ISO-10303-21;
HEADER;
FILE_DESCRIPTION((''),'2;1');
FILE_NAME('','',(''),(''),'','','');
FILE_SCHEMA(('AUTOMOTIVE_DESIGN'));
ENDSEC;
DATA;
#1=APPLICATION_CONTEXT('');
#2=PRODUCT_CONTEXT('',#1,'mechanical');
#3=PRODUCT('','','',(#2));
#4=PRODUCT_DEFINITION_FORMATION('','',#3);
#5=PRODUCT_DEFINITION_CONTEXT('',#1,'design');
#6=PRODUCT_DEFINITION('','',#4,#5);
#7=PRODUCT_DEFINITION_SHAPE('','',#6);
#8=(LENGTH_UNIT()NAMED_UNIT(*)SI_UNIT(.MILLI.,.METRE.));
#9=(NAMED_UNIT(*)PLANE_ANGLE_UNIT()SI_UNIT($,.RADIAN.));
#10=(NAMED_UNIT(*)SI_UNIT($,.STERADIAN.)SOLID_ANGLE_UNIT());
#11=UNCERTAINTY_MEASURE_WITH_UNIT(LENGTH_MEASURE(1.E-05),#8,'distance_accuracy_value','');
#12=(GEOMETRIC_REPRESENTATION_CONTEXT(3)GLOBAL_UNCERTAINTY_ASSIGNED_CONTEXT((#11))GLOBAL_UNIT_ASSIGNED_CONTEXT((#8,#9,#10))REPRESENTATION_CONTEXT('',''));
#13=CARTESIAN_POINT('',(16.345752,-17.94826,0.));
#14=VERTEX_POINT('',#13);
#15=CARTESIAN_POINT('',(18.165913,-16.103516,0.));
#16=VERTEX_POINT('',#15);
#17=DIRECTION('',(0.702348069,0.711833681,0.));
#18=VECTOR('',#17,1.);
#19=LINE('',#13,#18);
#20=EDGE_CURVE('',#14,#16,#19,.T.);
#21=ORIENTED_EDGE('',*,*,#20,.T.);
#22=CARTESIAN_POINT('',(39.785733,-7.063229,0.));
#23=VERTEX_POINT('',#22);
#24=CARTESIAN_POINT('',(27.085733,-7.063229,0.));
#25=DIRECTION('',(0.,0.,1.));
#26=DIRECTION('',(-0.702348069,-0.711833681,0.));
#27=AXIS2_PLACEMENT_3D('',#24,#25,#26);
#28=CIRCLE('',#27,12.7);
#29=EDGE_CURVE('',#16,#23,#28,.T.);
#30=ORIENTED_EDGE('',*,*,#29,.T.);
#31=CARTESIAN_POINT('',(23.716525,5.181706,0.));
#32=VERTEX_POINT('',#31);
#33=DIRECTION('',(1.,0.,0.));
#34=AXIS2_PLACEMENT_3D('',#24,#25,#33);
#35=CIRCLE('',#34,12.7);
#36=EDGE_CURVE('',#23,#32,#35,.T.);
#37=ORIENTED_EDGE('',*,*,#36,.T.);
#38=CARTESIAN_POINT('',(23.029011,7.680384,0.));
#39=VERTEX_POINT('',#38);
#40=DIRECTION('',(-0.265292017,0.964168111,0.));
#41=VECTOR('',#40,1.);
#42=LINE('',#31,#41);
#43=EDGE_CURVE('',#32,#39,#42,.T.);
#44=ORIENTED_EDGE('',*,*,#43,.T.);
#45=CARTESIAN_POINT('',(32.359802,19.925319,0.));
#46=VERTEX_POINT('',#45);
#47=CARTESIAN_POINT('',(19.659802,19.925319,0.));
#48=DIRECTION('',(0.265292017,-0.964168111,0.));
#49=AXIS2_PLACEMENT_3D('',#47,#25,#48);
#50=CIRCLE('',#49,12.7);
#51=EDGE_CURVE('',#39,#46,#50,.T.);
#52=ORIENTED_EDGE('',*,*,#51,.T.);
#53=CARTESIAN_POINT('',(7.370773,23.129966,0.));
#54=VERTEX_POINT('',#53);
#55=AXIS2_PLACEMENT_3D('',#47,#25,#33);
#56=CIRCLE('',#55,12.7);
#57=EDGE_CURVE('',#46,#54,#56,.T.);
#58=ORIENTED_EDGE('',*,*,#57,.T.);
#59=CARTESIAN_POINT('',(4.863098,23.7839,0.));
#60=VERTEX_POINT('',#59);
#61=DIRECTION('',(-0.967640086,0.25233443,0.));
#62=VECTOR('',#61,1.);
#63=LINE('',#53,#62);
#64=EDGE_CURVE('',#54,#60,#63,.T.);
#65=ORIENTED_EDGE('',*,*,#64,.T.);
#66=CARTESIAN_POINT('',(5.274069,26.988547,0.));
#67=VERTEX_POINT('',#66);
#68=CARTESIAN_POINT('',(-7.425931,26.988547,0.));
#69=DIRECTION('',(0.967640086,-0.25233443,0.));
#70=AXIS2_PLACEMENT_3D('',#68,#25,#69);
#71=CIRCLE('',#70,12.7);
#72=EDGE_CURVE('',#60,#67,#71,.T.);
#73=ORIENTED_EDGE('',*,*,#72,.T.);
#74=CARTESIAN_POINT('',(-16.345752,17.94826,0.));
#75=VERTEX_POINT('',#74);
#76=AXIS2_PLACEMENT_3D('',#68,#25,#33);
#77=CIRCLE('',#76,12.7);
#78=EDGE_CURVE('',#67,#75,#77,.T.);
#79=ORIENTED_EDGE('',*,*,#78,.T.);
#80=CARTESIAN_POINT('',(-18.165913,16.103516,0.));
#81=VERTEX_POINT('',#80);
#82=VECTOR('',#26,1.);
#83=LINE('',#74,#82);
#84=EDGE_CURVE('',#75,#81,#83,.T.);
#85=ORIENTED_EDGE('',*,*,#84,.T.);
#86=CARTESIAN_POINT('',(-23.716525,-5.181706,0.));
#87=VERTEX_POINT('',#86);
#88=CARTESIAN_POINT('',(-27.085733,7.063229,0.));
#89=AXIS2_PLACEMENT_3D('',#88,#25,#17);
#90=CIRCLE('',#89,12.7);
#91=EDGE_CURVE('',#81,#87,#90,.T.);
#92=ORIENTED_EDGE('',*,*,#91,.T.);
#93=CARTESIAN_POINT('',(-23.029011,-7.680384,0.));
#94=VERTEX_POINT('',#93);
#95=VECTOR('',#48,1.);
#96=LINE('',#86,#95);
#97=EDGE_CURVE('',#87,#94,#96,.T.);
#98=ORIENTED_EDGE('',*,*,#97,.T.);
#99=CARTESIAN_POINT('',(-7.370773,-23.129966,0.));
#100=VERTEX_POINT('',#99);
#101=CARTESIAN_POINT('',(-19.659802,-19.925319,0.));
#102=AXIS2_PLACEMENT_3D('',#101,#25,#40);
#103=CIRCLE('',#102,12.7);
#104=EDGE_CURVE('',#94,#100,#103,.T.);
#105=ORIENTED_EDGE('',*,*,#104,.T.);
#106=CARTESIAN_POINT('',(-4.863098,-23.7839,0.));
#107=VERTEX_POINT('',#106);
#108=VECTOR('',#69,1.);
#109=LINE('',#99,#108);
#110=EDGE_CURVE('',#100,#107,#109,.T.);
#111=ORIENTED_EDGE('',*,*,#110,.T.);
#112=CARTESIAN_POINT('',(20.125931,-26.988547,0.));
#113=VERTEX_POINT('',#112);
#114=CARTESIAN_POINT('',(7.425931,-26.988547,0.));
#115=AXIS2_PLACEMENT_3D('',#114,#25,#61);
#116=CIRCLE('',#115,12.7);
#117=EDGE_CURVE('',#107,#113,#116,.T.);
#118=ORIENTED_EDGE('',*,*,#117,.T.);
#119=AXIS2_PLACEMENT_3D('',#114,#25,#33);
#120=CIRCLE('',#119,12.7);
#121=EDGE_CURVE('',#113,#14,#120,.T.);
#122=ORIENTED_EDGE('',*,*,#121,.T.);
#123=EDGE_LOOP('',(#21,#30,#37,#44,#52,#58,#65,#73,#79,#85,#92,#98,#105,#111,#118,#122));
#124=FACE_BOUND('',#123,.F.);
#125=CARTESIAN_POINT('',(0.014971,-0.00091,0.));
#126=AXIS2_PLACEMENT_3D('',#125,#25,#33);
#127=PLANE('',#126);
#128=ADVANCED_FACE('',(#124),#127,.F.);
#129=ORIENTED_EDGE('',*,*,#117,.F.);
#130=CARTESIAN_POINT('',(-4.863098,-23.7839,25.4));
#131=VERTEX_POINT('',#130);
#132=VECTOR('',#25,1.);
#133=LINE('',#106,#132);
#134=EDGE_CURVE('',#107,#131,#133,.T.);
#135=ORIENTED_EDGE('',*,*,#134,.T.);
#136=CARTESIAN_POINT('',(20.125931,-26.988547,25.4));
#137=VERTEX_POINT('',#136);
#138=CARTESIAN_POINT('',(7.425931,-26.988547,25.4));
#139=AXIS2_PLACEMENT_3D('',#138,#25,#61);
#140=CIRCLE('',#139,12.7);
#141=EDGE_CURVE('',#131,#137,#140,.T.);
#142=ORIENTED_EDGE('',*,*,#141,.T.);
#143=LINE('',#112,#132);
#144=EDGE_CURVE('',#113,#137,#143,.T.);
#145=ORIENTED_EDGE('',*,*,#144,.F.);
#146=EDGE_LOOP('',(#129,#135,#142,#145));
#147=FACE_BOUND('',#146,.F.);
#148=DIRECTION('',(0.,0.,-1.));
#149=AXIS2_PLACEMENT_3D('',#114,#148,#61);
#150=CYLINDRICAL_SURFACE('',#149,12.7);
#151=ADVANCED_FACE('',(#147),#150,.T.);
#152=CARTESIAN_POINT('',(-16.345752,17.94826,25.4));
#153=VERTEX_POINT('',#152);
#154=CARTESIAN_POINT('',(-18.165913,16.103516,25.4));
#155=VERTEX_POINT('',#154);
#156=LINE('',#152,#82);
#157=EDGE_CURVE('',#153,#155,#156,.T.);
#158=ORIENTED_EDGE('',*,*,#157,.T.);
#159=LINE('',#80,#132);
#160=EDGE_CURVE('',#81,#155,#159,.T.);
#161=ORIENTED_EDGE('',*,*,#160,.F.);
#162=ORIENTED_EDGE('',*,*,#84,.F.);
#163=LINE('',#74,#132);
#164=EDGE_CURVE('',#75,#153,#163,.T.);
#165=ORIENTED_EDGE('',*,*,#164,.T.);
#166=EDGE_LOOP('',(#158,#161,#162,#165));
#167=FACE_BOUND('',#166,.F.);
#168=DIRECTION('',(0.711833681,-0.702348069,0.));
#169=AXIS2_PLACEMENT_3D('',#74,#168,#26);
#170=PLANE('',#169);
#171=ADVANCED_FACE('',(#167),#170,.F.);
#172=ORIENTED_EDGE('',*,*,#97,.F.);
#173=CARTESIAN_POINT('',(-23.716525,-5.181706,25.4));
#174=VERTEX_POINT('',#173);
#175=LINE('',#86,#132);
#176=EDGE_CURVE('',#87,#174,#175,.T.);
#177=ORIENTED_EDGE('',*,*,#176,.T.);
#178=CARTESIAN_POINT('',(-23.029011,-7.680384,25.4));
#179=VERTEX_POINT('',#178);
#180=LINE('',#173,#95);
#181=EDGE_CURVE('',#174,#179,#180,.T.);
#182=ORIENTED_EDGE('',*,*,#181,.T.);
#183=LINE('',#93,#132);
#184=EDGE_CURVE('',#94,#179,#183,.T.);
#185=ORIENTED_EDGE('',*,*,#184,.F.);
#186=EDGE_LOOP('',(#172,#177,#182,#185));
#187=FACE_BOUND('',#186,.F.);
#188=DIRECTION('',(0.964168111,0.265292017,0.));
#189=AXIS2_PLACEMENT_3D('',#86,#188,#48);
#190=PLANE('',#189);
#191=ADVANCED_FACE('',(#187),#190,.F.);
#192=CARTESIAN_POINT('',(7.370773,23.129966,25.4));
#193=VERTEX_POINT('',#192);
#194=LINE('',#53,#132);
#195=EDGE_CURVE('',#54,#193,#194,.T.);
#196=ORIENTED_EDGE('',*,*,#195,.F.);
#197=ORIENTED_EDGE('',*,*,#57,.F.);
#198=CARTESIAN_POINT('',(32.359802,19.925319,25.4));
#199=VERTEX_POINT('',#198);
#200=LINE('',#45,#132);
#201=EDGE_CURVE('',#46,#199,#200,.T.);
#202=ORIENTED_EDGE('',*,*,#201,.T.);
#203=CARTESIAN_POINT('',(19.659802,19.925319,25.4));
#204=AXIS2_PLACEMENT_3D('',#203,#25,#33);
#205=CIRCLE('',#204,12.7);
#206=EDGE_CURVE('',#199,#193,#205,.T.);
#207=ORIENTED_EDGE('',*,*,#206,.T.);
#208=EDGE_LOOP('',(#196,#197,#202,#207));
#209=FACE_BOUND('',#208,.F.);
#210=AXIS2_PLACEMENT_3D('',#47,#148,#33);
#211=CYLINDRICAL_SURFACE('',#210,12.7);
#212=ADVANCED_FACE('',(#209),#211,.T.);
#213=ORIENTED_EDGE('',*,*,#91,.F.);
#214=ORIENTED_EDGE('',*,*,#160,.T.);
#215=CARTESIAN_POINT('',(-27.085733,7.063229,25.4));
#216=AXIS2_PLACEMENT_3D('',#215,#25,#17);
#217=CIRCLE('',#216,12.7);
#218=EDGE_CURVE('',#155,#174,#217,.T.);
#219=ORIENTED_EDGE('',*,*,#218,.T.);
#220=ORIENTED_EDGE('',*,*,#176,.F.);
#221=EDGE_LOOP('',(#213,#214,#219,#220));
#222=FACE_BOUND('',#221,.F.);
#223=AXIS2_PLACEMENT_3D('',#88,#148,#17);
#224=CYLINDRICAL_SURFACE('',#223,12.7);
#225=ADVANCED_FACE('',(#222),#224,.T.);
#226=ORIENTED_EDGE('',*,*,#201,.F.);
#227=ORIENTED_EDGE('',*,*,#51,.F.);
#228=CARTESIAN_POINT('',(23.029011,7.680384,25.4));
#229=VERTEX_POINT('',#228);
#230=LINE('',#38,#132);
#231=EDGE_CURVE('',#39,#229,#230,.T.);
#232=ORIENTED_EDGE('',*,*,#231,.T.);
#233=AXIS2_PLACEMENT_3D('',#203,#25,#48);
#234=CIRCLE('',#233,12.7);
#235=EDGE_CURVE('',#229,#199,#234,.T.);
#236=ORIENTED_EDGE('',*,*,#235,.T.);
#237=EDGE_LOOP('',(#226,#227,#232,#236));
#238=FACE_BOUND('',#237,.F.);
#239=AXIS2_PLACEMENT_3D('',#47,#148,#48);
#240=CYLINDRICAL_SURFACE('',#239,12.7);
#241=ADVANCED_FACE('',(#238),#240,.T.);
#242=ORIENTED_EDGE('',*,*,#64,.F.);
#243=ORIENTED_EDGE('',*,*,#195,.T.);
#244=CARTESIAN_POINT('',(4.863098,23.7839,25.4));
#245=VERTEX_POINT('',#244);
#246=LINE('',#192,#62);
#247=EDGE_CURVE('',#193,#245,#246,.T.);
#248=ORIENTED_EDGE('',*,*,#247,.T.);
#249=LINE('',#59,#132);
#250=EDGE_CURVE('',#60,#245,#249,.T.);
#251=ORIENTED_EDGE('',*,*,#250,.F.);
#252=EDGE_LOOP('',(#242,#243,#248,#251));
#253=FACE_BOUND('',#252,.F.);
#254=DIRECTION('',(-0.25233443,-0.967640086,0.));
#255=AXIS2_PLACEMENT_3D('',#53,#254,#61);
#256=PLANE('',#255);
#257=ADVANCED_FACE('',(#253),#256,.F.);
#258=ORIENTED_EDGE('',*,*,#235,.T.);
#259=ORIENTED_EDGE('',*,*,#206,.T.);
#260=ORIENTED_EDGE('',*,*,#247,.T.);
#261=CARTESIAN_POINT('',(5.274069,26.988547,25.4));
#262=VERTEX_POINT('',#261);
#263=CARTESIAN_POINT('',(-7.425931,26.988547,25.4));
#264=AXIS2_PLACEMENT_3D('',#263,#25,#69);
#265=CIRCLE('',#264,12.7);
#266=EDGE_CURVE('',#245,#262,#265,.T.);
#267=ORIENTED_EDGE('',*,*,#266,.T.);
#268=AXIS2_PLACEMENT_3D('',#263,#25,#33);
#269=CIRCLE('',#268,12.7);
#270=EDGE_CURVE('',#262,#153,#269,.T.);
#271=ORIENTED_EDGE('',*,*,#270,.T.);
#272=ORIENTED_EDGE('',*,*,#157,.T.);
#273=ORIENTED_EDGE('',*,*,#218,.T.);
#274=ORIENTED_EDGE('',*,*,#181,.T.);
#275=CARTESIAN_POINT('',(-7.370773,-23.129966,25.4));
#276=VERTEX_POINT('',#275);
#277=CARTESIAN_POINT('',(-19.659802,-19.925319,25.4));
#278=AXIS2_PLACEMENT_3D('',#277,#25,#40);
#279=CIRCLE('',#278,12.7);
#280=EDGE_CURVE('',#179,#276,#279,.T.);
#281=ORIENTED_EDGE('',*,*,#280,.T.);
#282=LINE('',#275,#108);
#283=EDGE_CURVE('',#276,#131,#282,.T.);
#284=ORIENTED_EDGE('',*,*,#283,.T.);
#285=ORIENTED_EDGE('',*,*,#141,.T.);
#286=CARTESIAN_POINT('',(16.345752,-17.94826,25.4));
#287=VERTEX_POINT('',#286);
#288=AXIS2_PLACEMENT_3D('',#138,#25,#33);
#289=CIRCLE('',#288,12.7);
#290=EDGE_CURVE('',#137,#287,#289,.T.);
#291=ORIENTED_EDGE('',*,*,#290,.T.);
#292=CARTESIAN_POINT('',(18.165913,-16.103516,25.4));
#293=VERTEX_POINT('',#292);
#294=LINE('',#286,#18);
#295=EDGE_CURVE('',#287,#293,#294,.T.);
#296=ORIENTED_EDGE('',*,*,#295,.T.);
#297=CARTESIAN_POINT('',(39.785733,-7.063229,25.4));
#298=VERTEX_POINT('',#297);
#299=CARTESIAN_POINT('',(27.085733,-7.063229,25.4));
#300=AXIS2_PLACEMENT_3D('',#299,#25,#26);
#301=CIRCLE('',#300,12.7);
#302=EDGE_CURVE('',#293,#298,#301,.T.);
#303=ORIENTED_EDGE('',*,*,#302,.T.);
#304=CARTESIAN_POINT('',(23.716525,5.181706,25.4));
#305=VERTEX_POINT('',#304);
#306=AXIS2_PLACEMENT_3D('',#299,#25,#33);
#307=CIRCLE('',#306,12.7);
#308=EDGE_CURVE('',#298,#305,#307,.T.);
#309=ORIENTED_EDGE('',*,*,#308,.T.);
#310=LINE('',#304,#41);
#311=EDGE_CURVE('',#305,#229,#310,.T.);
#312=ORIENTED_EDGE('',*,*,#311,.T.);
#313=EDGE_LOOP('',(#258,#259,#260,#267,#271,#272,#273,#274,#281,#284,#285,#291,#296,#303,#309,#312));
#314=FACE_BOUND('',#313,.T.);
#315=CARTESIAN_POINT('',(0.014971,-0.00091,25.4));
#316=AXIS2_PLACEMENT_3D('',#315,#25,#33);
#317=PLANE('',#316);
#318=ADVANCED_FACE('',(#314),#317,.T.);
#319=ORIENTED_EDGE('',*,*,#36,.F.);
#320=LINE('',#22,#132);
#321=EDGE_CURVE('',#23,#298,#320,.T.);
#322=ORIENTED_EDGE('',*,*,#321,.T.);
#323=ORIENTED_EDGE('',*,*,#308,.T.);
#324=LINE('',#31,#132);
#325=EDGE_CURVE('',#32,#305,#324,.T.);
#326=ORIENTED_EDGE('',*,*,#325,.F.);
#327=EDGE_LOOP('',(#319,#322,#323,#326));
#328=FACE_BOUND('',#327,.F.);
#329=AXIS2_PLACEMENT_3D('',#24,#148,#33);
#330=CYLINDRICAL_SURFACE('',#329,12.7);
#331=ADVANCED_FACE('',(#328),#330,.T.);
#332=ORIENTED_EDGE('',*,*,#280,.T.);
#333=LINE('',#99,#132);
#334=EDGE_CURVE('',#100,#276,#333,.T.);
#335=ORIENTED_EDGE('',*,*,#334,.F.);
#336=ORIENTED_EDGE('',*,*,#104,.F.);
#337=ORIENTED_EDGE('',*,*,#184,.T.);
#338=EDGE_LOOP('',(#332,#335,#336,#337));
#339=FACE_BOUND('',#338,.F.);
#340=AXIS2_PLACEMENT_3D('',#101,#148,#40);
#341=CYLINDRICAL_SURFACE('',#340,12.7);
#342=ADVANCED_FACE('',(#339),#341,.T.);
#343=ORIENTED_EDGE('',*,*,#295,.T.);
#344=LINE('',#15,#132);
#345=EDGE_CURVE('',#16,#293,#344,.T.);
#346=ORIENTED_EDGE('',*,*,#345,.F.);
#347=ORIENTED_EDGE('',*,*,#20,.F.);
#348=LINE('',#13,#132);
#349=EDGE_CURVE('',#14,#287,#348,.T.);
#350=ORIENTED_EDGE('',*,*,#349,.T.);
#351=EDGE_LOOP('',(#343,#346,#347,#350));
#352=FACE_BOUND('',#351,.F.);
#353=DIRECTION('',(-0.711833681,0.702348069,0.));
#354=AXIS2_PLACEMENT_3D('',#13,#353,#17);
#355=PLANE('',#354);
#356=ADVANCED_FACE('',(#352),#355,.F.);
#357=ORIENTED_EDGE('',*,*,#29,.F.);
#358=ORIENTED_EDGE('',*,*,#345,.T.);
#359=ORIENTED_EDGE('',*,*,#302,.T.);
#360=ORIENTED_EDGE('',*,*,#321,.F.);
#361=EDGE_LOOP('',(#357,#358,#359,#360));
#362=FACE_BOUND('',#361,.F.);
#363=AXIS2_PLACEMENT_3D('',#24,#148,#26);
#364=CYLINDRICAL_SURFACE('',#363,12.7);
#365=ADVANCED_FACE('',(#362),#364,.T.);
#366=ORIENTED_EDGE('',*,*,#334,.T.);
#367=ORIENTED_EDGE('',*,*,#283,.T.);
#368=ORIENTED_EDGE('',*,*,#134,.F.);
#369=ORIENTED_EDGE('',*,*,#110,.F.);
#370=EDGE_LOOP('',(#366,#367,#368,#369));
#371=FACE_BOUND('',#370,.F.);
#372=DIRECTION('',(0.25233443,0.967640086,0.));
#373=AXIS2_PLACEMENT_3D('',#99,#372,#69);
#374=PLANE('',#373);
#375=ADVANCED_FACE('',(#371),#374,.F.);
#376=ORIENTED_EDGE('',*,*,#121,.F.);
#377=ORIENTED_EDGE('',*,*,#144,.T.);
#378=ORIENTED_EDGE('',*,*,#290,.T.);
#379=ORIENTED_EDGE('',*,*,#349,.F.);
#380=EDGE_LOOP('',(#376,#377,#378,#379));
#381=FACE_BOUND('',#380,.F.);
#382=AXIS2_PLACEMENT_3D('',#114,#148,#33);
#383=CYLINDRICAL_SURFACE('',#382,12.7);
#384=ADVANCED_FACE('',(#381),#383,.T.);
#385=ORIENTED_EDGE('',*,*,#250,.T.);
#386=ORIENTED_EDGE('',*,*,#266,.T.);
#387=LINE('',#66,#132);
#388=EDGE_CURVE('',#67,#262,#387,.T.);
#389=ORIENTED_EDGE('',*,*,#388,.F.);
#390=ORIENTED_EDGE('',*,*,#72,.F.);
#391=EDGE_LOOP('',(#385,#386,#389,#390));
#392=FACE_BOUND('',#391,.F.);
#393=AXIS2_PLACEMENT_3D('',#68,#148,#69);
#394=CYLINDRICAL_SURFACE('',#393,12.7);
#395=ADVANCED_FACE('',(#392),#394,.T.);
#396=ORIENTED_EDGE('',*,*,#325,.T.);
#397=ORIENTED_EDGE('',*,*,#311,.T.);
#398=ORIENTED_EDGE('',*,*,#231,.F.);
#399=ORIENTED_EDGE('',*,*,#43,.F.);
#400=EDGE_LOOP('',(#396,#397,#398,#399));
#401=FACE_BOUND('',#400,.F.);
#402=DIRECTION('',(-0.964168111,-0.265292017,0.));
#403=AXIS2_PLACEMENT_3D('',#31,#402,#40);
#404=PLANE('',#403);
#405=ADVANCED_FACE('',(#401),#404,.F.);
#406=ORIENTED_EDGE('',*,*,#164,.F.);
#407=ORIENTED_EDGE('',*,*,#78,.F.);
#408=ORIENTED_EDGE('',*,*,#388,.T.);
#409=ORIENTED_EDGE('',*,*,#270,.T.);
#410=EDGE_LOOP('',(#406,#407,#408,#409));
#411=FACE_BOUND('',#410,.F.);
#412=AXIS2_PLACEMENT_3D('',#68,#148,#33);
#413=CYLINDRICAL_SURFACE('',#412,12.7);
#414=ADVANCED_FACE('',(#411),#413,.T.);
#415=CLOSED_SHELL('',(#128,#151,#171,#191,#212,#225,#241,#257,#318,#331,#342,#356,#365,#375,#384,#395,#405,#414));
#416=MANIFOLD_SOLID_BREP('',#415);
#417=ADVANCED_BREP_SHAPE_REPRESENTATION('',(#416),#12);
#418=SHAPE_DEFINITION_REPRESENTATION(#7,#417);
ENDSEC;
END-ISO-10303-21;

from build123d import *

# Parameters (mm, degrees)
F0_R     = 12.7
F1_DEPTH = 25.4


with BuildPart() as f1:
    # F0 (on Top) → F1 (new body)
    with BuildSketch(Plane.XY):
        with BuildLine():
            Line((7.3707728384, 23.1299660417), (4.863097807, 23.7839000386))
            ThreePointArc((4.863097807, 23.7839000386), (-4.0567226722, 14.7436122877), (-16.3457517616, 17.9482595445))
            Line((-16.3457517616, 17.9482595445), (-18.165912731, 16.1035162613))
            ThreePointArc((-18.165912731, 16.1035162613), (-15.3688283269, 11.9626305103), (-14.3857332102, 7.0632285104))
            ThreePointArc((-14.3857332102, 7.0632285104), (-16.9842741732, -0.6342077722), (-23.7165246, -5.1817064972))
            Line((-23.7165246, -5.1817064972), (-23.029010538, -7.6803837773))
            ThreePointArc((-23.029010538, -7.6803837773), (-11.9623656452, -9.823859748), (-6.9598019278, -19.9253187849))
            ThreePointArc((-6.9598019278, -19.9253187849), (-7.0629636452, -21.5407646313), (-7.3707728384, -23.1299660417))
            Line((-7.3707728384, -23.1299660417), (-4.863097807, -23.7839000386))
            ThreePointArc((-4.863097807, -23.7839000386), (4.0567226722, -14.7436122877), (16.3457517616, -17.9482595445))
            Line((16.3457517616, -17.9482595445), (18.165912731, -16.1035162613))
            ThreePointArc((18.165912731, -16.1035162613), (14.7967041208, -3.8585812536), (23.7165246, 5.1817064972))
            Line((23.7165246, 5.1817064972), (23.029010538, 7.6803837773))
            ThreePointArc((23.029010538, 7.6803837773), (10.7399814486, 10.8850310341), (7.3707728384, 23.1299660417))
        make_face()
        Circle(F0_R, mode=Mode.SUBTRACT)
        Circle(F0_R)
        with BuildLine():
            ThreePointArc((39.7857332102, -7.0632285104), (34.7831694928, 3.0382305265), (23.7165246, 5.1817064972))
            Line((23.7165246, 5.1817064972), (27.0857332102, -7.0632285104))
            Line((27.0857332102, -7.0632285104), (18.165912731, -16.1035162613))
            ThreePointArc((18.165912731, -16.1035162613), (31.9851352101, -18.7801333936), (39.7857332102, -7.0632285104))
        make_face()
        with BuildLine():
            ThreePointArc((20.1259312823, -26.9885472953), (19.1428361656, -22.0891452954), (16.3457517616, -17.9482595445))
            Line((16.3457517616, -17.9482595445), (7.4259312823, -26.9885472953))
            Line((7.4259312823, -26.9885472953), (-4.863097807, -23.7839000386))
            ThreePointArc((-4.863097807, -23.7839000386), (5.810485436, -39.5853855779), (20.1259312823, -26.9885472953))
        make_face()
        with BuildLine():
            Line((-27.0857332102, 7.0632285104), (-18.165912731, 16.1035162613))
            ThreePointArc((-18.165912731, 16.1035162613), (-39.3747622996, 10.2678757672), (-23.7165246, -5.1817064972))
            Line((-23.7165246, -5.1817064972), (-27.0857332102, 7.0632285104))
        make_face()
        with BuildLine():
            ThreePointArc((32.3598019278, 19.9253187849), (21.2752477741, 32.5221570675), (7.3707728384, 23.1299660417))
            Line((7.3707728384, 23.1299660417), (19.6598019278, 19.9253187849))
            Line((19.6598019278, 19.9253187849), (23.029010538, 7.6803837773))
            ThreePointArc((23.029010538, 7.6803837773), (29.7612609647, 12.2278825023), (32.3598019278, 19.9253187849))
        make_face()
        with BuildLine():
            Line((-16.3457517616, 17.9482595445), (-7.4259312823, 26.9885472953))
            Line((-7.4259312823, 26.9885472953), (4.863097807, 23.7839000386))
            ThreePointArc((4.863097807, 23.7839000386), (5.1709070002, 25.373101449), (5.2740687177, 26.9885472953))
            ThreePointArc((5.2740687177, 26.9885472953), (-12.3253332823, 38.7054521786), (-16.3457517616, 17.9482595445))
        make_face()
        with BuildLine():
            Line((-19.6598019278, -19.9253187849), (-23.029010538, -7.6803837773))
            ThreePointArc((-23.029010538, -7.6803837773), (-28.579622407, -28.9656065358), (-7.3707728384, -23.1299660417))
            Line((-7.3707728384, -23.1299660417), (-19.6598019278, -19.9253187849))
        make_face()
        with BuildLine():
            Line((4.863097807, 23.7839000386), (-7.4259312823, 26.9885472953))
            Line((-7.4259312823, 26.9885472953), (-16.3457517616, 17.9482595445))
            ThreePointArc((-16.3457517616, 17.9482595445), (-4.0567226722, 14.7436122877), (4.863097807, 23.7839000386))
        make_face()
        with BuildLine():
            Line((27.0857332102, -7.0632285104), (23.7165246, 5.1817064972))
            ThreePointArc((23.7165246, 5.1817064972), (14.7967041208, -3.8585812536), (18.165912731, -16.1035162613))
            Line((18.165912731, -16.1035162613), (27.0857332102, -7.0632285104))
        make_face()
        with BuildLine():
            Line((19.6598019278, 19.9253187849), (7.3707728384, 23.1299660417))
            ThreePointArc((7.3707728384, 23.1299660417), (10.7399814486, 10.8850310341), (23.029010538, 7.6803837773))
            Line((23.029010538, 7.6803837773), (19.6598019278, 19.9253187849))
        make_face()
        with BuildLine():
            ThreePointArc((-14.3857332102, 7.0632285104), (-15.3688283269, 11.9626305103), (-18.165912731, 16.1035162613))
            Line((-18.165912731, 16.1035162613), (-27.0857332102, 7.0632285104))
            Line((-27.0857332102, 7.0632285104), (-23.7165246, -5.1817064972))
            ThreePointArc((-23.7165246, -5.1817064972), (-16.9842741732, -0.6342077722), (-14.3857332102, 7.0632285104))
        make_face()
        with BuildLine():
            ThreePointArc((-6.9598019278, -19.9253187849), (-11.9623656452, -9.823859748), (-23.029010538, -7.6803837773))
            Line((-23.029010538, -7.6803837773), (-19.6598019278, -19.9253187849))
            Line((-19.6598019278, -19.9253187849), (-7.3707728384, -23.1299660417))
            ThreePointArc((-7.3707728384, -23.1299660417), (-7.0629636452, -21.5407646313), (-6.9598019278, -19.9253187849))
        make_face()
        with BuildLine():
            Line((7.4259312823, -26.9885472953), (16.3457517616, -17.9482595445))
            ThreePointArc((16.3457517616, -17.9482595445), (4.0567226722, -14.7436122877), (-4.863097807, -23.7839000386))
            Line((-4.863097807, -23.7839000386), (7.4259312823, -26.9885472953))
        make_face()
    extrude(amount=F1_DEPTH)


solid = f1.part
